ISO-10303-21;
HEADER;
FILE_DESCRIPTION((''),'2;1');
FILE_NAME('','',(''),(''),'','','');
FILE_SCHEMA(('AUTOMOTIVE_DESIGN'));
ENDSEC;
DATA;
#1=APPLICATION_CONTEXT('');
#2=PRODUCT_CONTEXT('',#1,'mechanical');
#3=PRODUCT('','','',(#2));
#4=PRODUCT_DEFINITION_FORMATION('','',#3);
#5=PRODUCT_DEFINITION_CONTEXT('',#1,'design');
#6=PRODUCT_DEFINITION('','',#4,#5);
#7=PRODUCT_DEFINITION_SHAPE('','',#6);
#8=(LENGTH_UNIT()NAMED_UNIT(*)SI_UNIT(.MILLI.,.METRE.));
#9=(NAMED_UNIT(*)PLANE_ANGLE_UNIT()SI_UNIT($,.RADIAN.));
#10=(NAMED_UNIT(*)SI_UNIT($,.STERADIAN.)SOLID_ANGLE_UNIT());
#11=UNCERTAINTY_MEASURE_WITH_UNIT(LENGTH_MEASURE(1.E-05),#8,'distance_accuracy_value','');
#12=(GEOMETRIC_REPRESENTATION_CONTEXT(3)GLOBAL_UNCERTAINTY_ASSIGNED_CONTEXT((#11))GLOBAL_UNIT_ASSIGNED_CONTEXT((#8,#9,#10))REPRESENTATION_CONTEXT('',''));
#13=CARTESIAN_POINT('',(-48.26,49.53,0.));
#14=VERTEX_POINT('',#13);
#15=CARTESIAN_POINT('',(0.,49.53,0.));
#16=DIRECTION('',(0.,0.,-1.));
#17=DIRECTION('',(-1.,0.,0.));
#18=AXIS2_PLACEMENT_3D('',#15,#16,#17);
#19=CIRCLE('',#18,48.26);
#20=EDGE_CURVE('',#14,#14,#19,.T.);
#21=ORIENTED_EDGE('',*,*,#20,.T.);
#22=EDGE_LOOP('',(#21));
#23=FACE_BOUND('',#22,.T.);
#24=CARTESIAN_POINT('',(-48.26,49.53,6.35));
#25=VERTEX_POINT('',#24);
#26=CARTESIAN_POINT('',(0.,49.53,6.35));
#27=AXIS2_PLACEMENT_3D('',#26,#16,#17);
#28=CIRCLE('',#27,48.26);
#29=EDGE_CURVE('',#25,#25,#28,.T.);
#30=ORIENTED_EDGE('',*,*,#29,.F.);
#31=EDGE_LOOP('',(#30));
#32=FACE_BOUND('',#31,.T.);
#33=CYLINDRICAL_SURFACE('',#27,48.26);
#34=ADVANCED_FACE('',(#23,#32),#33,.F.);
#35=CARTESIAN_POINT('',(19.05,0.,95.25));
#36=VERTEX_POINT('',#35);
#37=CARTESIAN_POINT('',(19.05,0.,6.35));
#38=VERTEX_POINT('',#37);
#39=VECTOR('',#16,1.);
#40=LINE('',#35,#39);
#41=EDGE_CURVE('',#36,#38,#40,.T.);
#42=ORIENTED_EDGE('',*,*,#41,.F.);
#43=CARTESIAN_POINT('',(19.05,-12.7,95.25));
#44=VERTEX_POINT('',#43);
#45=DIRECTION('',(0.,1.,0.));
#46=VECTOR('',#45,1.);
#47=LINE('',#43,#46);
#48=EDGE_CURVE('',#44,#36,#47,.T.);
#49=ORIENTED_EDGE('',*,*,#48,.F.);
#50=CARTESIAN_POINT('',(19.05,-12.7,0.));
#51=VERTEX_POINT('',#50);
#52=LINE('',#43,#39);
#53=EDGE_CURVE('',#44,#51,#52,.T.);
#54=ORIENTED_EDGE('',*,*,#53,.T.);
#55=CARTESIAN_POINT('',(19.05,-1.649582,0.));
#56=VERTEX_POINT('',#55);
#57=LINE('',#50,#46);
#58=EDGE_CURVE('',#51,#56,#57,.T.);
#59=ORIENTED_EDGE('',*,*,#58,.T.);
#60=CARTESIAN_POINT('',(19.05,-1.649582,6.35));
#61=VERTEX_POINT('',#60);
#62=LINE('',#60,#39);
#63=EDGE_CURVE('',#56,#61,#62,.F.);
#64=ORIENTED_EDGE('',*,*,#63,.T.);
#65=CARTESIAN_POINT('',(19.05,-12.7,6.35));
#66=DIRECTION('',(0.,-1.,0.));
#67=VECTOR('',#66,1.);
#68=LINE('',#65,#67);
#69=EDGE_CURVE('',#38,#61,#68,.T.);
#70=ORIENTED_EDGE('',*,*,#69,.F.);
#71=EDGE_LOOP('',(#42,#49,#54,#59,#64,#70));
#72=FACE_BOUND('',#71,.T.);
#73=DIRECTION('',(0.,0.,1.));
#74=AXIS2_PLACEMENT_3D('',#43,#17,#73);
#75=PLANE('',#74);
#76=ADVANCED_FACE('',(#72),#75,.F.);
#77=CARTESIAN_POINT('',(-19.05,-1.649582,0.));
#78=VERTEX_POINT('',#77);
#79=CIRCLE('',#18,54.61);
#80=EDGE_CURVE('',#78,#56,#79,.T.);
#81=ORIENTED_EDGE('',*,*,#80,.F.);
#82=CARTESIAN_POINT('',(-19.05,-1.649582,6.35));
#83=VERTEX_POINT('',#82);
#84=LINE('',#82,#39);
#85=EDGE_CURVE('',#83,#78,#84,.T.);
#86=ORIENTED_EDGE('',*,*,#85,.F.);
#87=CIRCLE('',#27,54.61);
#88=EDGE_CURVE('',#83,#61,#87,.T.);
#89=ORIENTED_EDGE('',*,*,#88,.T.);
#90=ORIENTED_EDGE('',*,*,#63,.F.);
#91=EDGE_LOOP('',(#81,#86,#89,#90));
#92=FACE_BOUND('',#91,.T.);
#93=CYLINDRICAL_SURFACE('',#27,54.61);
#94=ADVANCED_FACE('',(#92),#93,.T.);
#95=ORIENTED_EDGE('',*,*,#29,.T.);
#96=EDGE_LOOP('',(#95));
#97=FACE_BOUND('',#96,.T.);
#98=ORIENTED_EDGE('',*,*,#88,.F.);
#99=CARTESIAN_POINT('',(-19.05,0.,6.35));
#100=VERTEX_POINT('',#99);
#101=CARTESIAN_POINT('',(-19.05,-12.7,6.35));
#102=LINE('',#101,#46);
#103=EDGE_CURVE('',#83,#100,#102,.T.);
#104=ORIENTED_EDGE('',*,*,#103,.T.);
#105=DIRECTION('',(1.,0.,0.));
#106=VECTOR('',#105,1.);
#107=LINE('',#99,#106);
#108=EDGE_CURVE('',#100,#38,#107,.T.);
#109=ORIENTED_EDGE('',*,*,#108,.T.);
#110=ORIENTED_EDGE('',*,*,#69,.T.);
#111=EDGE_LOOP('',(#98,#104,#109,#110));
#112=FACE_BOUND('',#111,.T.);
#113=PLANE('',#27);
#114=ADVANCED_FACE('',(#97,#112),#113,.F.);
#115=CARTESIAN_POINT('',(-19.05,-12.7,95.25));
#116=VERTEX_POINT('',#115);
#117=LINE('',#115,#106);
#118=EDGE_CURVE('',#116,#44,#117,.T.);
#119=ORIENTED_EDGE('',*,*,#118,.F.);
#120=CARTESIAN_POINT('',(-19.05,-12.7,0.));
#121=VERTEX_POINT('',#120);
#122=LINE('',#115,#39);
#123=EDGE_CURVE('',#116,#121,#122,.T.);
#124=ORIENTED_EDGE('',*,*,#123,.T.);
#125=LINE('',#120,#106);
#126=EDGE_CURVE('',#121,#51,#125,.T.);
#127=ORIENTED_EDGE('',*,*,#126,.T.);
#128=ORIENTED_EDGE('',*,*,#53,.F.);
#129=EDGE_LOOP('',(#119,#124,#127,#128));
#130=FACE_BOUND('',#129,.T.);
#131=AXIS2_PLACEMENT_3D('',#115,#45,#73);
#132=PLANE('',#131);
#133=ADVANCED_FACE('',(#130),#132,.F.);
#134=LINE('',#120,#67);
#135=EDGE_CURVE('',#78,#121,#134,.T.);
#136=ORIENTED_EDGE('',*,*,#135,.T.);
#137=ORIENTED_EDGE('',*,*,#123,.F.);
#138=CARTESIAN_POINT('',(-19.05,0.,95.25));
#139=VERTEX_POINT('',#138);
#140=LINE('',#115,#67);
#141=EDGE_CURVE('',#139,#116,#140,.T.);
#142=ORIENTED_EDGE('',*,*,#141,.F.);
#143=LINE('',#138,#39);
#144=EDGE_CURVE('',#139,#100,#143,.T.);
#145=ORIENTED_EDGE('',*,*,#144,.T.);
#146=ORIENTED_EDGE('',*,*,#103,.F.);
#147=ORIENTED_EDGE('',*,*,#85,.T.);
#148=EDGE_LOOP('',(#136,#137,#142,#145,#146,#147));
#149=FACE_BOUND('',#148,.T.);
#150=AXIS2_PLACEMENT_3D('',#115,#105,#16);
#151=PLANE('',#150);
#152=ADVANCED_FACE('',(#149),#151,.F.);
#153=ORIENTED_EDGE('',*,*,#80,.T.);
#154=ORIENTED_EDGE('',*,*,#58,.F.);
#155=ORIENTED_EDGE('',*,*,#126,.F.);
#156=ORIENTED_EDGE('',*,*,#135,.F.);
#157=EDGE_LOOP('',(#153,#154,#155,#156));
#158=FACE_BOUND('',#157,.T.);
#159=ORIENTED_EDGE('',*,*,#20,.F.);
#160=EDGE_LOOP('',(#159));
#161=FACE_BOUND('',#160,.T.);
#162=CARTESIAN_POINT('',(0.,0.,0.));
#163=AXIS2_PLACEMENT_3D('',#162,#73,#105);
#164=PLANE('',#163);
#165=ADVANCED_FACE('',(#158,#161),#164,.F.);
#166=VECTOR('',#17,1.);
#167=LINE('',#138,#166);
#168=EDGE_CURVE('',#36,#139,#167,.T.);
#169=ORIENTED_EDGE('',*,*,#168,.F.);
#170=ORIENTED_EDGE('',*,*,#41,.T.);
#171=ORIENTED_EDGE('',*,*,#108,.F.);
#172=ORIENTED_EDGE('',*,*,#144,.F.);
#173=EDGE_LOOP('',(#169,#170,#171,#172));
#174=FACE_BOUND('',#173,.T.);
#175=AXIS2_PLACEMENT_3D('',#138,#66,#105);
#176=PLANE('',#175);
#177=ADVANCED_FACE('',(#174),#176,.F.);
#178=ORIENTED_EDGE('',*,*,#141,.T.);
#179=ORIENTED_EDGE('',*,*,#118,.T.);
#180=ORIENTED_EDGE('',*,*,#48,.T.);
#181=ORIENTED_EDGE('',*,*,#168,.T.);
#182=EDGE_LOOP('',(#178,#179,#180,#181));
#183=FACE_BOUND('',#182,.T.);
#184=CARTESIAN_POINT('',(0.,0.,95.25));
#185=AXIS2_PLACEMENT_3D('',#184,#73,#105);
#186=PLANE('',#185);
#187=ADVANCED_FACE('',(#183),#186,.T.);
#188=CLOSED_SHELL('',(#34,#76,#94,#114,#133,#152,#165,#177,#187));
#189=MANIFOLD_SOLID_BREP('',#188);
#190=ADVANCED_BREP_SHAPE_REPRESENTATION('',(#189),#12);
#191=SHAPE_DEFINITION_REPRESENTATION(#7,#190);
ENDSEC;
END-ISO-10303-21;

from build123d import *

# Parameters (mm, degrees)
SKETCH1_W           = 38.1
SKETCH1_H           = 12.7
BOSS_EXTRUDE1_DEPTH = 95.25
SKETCH2_R           = 54.61
SKETCH2_R_2         = 48.26
BOSS_EXTRUDE2_DEPTH = 6.35


with BuildPart() as part:
    # Sketch1 → Boss-Extrude1 (new body)
    with BuildSketch(Plane.XY):
        with Locations((0, -6.35)):
            Rectangle(SKETCH1_W, SKETCH1_H)
    extrude(amount=BOSS_EXTRUDE1_DEPTH)

    # Sketch2 → Boss-Extrude2 (add)
    with BuildSketch(Plane(origin=(0, 0, 0), x_dir=(-1, 0, 0), z_dir=(0, 0, -1))):
        with Locations((0, 49.53)):
            Circle(SKETCH2_R)
        with Locations((0, 49.53)):
            Circle(SKETCH2_R_2, mode=Mode.SUBTRACT)
    extrude(amount=-BOSS_EXTRUDE2_DEPTH)


solid = part.part
